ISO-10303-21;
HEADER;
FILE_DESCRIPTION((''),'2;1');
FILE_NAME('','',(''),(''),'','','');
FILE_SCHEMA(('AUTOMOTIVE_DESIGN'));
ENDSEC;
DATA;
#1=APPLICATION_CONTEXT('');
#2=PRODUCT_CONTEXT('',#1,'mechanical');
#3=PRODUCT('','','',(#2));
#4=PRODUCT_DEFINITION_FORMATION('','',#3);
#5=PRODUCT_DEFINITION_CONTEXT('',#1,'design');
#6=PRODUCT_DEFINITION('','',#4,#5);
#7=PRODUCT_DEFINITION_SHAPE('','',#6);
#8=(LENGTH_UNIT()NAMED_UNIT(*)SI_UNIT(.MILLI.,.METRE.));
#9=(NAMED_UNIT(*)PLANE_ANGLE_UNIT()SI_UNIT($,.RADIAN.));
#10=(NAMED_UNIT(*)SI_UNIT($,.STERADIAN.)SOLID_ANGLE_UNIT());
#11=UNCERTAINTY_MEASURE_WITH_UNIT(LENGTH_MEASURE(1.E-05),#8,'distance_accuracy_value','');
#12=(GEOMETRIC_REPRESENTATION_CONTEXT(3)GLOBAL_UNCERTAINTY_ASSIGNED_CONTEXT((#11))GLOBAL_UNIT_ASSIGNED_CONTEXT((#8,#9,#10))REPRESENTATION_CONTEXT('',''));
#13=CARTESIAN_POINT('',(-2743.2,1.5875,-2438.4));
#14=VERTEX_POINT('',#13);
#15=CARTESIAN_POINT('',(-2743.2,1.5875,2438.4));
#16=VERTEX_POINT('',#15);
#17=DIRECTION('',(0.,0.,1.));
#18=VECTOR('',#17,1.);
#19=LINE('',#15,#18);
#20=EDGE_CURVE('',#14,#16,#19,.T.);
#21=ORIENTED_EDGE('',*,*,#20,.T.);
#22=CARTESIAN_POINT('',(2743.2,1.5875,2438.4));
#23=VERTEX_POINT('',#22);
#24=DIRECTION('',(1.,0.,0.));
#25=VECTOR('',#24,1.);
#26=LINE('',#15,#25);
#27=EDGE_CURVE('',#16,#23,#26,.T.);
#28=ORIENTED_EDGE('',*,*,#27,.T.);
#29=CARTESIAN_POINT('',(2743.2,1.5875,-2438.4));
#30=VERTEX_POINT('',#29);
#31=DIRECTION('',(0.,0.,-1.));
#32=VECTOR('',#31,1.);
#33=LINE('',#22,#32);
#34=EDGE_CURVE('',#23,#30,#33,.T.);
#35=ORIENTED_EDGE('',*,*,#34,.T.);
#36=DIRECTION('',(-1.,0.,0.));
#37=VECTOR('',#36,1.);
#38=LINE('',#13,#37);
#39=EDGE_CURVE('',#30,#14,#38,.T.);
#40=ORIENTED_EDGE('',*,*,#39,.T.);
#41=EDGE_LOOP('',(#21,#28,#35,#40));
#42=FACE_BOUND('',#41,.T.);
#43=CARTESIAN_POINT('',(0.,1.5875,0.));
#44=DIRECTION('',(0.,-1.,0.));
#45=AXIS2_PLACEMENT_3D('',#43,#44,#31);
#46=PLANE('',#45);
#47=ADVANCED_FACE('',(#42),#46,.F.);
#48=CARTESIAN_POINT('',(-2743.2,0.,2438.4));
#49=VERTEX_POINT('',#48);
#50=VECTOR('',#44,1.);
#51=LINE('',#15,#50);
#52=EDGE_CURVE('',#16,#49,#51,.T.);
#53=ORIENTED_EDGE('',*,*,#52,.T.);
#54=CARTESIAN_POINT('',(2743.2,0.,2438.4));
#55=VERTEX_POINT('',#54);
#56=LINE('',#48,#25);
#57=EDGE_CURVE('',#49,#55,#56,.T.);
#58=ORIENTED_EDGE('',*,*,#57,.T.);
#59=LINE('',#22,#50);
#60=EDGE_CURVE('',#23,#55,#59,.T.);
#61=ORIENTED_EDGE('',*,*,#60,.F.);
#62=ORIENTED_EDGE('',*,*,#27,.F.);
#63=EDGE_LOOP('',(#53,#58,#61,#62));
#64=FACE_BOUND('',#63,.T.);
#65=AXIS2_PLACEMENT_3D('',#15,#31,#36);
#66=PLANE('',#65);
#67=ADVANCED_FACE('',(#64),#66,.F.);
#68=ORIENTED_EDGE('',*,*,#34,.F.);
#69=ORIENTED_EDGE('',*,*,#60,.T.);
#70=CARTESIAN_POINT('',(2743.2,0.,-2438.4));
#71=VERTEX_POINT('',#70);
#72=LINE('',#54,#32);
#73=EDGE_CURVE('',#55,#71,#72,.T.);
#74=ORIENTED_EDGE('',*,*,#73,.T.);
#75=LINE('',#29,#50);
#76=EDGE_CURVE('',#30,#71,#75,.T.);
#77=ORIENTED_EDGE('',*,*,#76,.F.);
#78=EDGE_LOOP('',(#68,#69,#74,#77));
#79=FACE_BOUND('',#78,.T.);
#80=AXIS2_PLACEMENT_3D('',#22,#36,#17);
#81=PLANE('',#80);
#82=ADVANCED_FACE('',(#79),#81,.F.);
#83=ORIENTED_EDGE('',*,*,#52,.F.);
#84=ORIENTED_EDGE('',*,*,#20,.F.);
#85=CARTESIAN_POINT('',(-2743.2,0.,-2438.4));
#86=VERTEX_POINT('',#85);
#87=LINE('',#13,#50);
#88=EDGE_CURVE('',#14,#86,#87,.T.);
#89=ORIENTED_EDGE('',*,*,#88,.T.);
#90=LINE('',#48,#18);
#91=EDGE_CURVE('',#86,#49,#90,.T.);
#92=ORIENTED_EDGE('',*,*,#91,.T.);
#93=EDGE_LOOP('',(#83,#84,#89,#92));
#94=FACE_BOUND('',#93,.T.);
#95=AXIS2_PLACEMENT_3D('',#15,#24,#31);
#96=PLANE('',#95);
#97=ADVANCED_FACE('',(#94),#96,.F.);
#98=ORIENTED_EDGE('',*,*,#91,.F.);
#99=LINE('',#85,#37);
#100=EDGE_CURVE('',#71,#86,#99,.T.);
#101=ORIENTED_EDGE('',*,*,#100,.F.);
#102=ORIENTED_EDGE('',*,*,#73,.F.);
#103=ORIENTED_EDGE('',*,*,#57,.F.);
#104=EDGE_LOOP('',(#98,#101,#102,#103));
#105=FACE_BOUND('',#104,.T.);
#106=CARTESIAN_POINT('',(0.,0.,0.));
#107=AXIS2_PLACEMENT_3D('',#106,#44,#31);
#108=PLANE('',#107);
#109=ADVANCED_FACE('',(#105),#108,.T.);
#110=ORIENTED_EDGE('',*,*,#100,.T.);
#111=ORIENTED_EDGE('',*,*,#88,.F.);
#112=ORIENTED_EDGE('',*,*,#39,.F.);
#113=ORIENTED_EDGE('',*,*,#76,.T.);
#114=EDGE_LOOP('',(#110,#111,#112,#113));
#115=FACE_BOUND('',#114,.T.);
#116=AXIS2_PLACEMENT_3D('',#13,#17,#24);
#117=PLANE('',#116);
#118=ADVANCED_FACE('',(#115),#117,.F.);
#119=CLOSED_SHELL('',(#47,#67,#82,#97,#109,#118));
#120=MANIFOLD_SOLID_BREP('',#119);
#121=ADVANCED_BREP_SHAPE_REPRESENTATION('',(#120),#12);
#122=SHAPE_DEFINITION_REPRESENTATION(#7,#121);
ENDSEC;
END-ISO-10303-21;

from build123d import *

# Parameters (mm, degrees)
SKETCH1_W           = 5486.4
SKETCH1_H           = 4876.8
BOSS_EXTRUDE1_DEPTH = 1.5875


with BuildPart() as part:
    # Sketch1 → Boss-Extrude1 (new body)
    with BuildSketch(Plane(origin=(0, 0, 0), x_dir=(1, 0, 0), z_dir=(0, 1, 0))):
        Rectangle(SKETCH1_W, SKETCH1_H)
    extrude(amount=BOSS_EXTRUDE1_DEPTH)


solid = part.part
